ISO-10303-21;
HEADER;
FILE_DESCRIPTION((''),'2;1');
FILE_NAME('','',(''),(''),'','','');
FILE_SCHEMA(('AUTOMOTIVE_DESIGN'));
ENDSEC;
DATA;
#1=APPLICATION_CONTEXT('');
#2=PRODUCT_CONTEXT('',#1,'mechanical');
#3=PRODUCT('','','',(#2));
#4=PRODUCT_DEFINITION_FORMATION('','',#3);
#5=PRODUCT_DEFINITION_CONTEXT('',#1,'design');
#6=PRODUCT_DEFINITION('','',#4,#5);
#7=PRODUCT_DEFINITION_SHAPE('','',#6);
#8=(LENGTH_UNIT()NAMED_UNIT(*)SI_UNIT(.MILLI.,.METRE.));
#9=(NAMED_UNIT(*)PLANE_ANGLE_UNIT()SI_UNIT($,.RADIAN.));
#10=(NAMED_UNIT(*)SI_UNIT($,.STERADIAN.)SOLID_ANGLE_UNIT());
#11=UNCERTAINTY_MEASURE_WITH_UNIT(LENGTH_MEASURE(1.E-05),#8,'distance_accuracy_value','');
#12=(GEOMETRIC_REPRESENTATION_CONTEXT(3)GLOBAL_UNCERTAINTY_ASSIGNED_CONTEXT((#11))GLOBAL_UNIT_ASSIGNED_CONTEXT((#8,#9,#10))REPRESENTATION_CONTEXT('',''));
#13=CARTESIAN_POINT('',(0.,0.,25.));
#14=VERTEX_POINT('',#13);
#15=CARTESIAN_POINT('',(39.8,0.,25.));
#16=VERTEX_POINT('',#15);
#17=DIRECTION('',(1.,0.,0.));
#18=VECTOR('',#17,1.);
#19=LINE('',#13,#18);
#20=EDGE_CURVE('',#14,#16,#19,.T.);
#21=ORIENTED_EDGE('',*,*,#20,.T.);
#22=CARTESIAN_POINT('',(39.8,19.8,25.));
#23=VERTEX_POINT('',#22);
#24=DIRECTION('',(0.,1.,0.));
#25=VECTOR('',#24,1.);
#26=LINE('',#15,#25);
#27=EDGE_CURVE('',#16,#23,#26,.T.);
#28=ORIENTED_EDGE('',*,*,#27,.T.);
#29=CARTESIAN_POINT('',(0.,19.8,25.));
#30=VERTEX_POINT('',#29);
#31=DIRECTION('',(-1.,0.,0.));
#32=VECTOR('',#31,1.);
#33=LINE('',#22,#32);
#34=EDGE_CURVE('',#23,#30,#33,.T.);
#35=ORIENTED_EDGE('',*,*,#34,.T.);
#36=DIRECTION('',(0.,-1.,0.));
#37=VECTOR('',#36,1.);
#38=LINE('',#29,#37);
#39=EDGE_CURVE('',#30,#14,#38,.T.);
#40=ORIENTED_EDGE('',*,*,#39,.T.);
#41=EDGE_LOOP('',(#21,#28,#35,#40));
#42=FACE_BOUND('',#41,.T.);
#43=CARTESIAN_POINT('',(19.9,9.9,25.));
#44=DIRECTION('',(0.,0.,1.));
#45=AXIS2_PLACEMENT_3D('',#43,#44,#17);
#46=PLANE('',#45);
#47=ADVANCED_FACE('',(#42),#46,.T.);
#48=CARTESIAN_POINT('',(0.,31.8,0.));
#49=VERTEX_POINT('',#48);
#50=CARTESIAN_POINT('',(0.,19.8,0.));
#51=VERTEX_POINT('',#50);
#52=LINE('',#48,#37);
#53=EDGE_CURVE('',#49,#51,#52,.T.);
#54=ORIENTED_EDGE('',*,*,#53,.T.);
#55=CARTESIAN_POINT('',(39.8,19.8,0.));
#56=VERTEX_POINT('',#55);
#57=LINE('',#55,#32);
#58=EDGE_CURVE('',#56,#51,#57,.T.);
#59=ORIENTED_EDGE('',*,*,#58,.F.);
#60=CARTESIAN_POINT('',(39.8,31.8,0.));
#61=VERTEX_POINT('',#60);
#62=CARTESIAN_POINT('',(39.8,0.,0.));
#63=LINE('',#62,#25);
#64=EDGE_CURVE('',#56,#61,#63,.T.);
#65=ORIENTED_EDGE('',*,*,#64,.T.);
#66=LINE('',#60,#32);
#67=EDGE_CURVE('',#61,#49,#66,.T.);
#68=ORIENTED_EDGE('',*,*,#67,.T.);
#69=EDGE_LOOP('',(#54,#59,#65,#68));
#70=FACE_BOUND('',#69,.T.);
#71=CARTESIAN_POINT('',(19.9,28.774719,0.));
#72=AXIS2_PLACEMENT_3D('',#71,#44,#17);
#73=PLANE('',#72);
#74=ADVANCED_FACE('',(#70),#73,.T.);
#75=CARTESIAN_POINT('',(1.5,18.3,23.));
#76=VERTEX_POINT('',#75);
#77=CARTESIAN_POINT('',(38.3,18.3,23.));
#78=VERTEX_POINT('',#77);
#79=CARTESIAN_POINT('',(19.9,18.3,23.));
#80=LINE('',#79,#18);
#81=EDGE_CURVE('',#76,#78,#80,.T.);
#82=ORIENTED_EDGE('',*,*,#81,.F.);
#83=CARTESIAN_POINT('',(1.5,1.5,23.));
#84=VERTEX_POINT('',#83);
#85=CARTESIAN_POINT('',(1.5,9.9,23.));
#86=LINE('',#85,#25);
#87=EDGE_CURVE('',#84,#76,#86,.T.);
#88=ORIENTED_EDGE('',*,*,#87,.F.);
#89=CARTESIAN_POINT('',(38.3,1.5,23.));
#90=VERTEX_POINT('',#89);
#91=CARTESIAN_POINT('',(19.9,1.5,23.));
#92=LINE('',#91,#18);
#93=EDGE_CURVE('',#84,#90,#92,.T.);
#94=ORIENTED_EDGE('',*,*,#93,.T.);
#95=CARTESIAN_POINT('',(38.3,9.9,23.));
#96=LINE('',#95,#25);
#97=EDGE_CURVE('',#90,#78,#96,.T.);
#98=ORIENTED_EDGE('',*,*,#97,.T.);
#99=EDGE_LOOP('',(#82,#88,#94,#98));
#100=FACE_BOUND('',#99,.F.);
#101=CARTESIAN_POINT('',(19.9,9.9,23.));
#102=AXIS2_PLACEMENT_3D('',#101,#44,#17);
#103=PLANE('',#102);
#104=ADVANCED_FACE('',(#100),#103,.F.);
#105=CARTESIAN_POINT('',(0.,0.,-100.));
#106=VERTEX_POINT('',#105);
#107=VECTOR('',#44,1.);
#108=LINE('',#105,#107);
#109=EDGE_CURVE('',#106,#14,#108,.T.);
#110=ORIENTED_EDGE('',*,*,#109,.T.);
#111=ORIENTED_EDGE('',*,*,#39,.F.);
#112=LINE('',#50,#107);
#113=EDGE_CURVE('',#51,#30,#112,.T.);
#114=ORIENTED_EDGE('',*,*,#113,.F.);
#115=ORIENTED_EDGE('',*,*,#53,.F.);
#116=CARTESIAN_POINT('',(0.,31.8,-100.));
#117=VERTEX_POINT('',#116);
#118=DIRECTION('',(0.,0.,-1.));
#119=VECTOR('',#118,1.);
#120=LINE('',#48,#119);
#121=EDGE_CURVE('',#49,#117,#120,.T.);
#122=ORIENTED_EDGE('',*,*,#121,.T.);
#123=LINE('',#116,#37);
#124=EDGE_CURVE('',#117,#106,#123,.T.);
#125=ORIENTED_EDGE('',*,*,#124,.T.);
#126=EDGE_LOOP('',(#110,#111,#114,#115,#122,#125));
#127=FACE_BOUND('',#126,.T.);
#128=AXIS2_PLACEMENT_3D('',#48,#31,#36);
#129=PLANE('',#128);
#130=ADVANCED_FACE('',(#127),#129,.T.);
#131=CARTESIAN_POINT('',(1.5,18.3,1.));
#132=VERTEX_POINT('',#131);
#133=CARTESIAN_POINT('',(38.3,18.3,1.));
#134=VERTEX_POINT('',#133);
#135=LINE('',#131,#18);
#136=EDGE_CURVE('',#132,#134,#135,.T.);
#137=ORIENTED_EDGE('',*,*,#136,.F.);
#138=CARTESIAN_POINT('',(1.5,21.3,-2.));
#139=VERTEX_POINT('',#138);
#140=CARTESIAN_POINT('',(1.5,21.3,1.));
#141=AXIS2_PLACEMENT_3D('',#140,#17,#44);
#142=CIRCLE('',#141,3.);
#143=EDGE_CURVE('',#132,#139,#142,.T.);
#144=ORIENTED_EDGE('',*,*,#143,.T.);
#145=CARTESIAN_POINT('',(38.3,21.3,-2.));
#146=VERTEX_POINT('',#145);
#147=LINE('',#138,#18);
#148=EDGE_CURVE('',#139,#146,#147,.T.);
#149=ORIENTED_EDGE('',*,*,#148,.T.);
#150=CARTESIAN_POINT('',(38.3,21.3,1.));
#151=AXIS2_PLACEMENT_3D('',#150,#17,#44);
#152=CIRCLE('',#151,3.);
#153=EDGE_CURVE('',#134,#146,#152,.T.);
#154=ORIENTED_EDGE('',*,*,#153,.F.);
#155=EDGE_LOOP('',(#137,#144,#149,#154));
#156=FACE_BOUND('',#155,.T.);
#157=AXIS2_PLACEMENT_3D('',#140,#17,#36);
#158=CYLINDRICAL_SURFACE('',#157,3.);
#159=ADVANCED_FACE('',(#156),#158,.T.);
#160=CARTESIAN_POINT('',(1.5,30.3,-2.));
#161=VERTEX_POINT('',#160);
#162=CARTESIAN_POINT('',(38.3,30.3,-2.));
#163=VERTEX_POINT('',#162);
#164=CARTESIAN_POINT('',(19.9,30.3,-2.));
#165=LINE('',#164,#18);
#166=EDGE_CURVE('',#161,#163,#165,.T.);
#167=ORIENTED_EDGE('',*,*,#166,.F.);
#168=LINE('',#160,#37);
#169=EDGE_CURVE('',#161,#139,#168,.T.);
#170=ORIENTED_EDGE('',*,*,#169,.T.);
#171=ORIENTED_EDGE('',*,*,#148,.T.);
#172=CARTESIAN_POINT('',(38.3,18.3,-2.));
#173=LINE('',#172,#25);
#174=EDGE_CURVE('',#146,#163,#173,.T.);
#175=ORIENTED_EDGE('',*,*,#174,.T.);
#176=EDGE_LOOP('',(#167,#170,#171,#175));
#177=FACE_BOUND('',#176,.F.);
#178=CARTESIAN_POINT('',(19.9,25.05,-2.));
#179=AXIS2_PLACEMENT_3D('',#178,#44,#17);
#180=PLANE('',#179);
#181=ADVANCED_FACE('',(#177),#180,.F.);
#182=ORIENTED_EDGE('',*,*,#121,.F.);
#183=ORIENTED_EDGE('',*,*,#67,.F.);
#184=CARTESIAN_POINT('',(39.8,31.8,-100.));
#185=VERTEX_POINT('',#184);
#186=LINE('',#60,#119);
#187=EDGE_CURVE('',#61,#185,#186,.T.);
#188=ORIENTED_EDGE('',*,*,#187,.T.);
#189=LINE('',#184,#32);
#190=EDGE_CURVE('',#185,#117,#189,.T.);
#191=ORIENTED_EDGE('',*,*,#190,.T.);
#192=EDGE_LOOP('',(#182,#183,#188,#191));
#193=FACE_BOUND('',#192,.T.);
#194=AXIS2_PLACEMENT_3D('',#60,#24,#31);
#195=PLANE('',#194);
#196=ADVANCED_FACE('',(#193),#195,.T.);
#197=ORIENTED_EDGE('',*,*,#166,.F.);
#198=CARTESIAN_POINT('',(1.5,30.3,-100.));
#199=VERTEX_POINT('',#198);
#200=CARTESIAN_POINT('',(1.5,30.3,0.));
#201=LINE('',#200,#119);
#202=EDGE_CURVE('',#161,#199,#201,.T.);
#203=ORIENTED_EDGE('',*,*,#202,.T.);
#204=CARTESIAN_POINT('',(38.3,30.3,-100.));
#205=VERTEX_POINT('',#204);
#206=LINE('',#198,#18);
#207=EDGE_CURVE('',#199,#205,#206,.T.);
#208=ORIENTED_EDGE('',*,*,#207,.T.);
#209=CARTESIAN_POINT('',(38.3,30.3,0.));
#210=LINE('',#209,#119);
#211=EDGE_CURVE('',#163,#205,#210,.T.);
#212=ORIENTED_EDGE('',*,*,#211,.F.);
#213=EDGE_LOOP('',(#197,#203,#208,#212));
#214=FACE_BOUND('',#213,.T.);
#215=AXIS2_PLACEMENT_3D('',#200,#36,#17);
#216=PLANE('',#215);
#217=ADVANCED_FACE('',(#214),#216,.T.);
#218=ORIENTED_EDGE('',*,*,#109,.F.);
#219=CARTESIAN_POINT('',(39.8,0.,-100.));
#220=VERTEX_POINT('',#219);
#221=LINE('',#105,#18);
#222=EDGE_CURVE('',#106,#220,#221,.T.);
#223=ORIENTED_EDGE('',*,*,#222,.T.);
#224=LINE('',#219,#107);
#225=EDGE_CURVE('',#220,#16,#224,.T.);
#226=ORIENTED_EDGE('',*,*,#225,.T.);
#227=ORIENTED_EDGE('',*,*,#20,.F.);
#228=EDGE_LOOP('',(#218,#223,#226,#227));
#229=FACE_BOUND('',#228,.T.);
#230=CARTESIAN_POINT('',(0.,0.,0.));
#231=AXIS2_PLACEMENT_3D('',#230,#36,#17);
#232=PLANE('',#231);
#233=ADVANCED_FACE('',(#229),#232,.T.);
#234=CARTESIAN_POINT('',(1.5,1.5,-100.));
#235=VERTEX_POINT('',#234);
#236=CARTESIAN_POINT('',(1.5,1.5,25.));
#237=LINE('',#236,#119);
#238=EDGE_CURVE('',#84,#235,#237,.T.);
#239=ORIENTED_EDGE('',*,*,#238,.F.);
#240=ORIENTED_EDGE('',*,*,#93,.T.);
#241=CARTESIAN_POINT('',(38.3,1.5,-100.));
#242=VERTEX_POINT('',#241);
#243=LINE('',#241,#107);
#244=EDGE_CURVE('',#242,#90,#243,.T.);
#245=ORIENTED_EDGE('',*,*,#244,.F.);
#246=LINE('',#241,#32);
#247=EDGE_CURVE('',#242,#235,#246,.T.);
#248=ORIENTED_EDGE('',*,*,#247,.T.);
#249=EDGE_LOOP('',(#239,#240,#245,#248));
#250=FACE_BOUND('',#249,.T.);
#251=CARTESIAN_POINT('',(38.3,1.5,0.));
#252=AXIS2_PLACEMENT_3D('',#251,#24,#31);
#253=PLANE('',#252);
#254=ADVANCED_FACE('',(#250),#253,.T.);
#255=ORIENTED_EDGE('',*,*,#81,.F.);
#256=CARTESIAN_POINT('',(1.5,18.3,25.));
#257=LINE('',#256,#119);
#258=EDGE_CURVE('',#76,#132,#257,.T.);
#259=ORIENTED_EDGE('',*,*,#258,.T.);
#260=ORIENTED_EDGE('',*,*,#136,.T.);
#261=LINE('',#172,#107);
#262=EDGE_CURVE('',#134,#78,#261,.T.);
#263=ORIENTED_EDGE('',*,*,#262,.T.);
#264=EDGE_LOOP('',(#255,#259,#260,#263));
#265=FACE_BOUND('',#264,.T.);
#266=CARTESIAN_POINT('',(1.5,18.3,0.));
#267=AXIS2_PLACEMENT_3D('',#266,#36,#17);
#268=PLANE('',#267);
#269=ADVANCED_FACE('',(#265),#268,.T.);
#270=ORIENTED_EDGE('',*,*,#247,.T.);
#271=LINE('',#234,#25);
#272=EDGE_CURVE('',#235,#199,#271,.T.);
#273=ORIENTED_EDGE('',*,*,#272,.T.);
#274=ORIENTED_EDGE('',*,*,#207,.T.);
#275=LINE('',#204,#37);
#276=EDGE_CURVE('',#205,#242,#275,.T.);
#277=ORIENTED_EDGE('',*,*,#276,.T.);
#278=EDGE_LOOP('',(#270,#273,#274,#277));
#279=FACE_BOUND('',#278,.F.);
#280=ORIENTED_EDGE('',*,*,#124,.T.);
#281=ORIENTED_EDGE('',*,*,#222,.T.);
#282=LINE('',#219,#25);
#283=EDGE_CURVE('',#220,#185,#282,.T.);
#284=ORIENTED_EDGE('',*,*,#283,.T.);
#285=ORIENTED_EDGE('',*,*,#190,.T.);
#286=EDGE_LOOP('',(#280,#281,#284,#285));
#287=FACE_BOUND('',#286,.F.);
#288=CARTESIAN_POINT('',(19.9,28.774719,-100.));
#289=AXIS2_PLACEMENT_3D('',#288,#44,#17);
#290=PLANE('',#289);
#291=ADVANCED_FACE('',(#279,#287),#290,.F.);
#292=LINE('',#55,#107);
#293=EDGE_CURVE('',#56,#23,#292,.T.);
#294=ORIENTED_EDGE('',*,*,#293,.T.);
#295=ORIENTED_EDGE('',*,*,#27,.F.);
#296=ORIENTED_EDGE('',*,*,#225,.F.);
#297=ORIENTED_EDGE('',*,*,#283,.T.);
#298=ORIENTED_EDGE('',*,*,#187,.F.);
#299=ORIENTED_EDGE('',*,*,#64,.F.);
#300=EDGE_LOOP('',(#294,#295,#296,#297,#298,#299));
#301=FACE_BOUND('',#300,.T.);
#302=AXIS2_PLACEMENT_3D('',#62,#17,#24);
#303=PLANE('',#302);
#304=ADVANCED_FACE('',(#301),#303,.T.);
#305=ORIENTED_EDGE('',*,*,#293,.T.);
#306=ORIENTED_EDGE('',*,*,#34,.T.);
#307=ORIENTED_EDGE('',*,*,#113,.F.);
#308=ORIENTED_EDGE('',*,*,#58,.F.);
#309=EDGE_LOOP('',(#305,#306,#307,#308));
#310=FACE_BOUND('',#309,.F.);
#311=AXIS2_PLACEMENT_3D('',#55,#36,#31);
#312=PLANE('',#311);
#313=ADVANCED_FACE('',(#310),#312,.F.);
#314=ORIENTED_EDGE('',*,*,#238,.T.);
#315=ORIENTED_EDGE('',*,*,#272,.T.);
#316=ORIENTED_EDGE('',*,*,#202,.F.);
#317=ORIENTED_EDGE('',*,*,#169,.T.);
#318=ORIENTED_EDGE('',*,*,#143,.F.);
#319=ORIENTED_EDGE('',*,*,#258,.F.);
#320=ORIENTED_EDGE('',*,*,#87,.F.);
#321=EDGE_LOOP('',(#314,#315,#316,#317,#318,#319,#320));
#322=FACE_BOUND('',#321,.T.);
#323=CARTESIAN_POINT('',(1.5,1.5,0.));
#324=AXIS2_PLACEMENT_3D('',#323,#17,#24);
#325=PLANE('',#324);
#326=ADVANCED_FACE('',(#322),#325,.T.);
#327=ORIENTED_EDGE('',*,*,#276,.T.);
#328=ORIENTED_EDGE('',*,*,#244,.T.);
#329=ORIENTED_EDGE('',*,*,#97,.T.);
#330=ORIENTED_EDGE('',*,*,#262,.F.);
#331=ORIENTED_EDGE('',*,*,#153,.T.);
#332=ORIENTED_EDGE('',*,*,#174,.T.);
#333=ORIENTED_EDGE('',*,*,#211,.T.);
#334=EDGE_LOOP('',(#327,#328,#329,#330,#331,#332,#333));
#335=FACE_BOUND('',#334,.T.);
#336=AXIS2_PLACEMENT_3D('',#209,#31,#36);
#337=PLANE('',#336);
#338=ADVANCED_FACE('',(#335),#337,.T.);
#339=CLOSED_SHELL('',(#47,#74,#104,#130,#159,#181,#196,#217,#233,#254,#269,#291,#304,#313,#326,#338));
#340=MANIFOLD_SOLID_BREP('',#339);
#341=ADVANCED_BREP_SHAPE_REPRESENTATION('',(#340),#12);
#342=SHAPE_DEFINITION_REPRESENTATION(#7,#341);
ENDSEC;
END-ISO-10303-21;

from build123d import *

# Parameters (mm, degrees)
F0_W     = 36.8
F0_H     = 1.5
F0_W_2   = 1.5
F1_DEPTH = 25
F2_DEPTH = 100
F0_H_2   = 10.5
F3_DEPTH = 2
F4_R     = 3
F5_W     = 36.8
F5_H     = 16.8
F6_DEPTH = 2


with BuildPart() as f1:
    # F0 (on Top) → F1 (new body)
    with BuildSketch(Plane.XY):
        with Locations((19.9, 19.05)):
            Rectangle(F0_W, F0_H)
        with Locations((39.05, 19.05)):
            Rectangle(F0_W_2, F0_H)
        Polygon((0, 18.3), (0, 0), (39.8, 0), (39.8, 18.3), (38.3, 18.3), (38.3, 1.5), (1.5, 1.5), (1.5, 18.3), align=None)
        with Locations((0.75, 19.05)):
            Rectangle(F0_W_2, F0_H)
    extrude(amount=F1_DEPTH)

    # F0 (on Top) → F2 (join)
    with BuildSketch(Plane.XY):
        Polygon((0, 31.8), (0, 19.8), (1.5, 19.8), (1.5, 30.3), (38.3, 30.3), (38.3, 19.8), (39.8, 19.8), (39.8, 31.8), align=None)
        Polygon((0, 18.3), (0, 0), (39.8, 0), (39.8, 18.3), (38.3, 18.3), (38.3, 1.5), (1.5, 1.5), (1.5, 18.3), align=None)
        with Locations((39.05, 19.05)):
            Rectangle(F0_W_2, F0_H)
        with Locations((0.75, 19.05)):
            Rectangle(F0_W_2, F0_H)
    extrude(amount=-F2_DEPTH)

    # F0 (on Top) → F3 (join)
    with BuildSketch(Plane.XY):
        with Locations((19.9, 25.05)):
            Rectangle(F0_W, F0_H_2)
        with Locations((19.9, 19.05)):
            Rectangle(F0_W, F0_H)
    extrude(amount=-F3_DEPTH)

    # F4
    f4_edges = [f1.edges().sort_by_distance(p)[0] for p in [
        (19.9, 18.3, -2),
    ]]
    fillet(f4_edges, radius=F4_R)

    # F5 (on face) → F6 (join)
    with BuildSketch(Plane.XY.offset(25)):
        with Locations((19.9, 9.9)):
            Rectangle(F5_W, F5_H)
    extrude(amount=-F6_DEPTH)


solid = f1.part
